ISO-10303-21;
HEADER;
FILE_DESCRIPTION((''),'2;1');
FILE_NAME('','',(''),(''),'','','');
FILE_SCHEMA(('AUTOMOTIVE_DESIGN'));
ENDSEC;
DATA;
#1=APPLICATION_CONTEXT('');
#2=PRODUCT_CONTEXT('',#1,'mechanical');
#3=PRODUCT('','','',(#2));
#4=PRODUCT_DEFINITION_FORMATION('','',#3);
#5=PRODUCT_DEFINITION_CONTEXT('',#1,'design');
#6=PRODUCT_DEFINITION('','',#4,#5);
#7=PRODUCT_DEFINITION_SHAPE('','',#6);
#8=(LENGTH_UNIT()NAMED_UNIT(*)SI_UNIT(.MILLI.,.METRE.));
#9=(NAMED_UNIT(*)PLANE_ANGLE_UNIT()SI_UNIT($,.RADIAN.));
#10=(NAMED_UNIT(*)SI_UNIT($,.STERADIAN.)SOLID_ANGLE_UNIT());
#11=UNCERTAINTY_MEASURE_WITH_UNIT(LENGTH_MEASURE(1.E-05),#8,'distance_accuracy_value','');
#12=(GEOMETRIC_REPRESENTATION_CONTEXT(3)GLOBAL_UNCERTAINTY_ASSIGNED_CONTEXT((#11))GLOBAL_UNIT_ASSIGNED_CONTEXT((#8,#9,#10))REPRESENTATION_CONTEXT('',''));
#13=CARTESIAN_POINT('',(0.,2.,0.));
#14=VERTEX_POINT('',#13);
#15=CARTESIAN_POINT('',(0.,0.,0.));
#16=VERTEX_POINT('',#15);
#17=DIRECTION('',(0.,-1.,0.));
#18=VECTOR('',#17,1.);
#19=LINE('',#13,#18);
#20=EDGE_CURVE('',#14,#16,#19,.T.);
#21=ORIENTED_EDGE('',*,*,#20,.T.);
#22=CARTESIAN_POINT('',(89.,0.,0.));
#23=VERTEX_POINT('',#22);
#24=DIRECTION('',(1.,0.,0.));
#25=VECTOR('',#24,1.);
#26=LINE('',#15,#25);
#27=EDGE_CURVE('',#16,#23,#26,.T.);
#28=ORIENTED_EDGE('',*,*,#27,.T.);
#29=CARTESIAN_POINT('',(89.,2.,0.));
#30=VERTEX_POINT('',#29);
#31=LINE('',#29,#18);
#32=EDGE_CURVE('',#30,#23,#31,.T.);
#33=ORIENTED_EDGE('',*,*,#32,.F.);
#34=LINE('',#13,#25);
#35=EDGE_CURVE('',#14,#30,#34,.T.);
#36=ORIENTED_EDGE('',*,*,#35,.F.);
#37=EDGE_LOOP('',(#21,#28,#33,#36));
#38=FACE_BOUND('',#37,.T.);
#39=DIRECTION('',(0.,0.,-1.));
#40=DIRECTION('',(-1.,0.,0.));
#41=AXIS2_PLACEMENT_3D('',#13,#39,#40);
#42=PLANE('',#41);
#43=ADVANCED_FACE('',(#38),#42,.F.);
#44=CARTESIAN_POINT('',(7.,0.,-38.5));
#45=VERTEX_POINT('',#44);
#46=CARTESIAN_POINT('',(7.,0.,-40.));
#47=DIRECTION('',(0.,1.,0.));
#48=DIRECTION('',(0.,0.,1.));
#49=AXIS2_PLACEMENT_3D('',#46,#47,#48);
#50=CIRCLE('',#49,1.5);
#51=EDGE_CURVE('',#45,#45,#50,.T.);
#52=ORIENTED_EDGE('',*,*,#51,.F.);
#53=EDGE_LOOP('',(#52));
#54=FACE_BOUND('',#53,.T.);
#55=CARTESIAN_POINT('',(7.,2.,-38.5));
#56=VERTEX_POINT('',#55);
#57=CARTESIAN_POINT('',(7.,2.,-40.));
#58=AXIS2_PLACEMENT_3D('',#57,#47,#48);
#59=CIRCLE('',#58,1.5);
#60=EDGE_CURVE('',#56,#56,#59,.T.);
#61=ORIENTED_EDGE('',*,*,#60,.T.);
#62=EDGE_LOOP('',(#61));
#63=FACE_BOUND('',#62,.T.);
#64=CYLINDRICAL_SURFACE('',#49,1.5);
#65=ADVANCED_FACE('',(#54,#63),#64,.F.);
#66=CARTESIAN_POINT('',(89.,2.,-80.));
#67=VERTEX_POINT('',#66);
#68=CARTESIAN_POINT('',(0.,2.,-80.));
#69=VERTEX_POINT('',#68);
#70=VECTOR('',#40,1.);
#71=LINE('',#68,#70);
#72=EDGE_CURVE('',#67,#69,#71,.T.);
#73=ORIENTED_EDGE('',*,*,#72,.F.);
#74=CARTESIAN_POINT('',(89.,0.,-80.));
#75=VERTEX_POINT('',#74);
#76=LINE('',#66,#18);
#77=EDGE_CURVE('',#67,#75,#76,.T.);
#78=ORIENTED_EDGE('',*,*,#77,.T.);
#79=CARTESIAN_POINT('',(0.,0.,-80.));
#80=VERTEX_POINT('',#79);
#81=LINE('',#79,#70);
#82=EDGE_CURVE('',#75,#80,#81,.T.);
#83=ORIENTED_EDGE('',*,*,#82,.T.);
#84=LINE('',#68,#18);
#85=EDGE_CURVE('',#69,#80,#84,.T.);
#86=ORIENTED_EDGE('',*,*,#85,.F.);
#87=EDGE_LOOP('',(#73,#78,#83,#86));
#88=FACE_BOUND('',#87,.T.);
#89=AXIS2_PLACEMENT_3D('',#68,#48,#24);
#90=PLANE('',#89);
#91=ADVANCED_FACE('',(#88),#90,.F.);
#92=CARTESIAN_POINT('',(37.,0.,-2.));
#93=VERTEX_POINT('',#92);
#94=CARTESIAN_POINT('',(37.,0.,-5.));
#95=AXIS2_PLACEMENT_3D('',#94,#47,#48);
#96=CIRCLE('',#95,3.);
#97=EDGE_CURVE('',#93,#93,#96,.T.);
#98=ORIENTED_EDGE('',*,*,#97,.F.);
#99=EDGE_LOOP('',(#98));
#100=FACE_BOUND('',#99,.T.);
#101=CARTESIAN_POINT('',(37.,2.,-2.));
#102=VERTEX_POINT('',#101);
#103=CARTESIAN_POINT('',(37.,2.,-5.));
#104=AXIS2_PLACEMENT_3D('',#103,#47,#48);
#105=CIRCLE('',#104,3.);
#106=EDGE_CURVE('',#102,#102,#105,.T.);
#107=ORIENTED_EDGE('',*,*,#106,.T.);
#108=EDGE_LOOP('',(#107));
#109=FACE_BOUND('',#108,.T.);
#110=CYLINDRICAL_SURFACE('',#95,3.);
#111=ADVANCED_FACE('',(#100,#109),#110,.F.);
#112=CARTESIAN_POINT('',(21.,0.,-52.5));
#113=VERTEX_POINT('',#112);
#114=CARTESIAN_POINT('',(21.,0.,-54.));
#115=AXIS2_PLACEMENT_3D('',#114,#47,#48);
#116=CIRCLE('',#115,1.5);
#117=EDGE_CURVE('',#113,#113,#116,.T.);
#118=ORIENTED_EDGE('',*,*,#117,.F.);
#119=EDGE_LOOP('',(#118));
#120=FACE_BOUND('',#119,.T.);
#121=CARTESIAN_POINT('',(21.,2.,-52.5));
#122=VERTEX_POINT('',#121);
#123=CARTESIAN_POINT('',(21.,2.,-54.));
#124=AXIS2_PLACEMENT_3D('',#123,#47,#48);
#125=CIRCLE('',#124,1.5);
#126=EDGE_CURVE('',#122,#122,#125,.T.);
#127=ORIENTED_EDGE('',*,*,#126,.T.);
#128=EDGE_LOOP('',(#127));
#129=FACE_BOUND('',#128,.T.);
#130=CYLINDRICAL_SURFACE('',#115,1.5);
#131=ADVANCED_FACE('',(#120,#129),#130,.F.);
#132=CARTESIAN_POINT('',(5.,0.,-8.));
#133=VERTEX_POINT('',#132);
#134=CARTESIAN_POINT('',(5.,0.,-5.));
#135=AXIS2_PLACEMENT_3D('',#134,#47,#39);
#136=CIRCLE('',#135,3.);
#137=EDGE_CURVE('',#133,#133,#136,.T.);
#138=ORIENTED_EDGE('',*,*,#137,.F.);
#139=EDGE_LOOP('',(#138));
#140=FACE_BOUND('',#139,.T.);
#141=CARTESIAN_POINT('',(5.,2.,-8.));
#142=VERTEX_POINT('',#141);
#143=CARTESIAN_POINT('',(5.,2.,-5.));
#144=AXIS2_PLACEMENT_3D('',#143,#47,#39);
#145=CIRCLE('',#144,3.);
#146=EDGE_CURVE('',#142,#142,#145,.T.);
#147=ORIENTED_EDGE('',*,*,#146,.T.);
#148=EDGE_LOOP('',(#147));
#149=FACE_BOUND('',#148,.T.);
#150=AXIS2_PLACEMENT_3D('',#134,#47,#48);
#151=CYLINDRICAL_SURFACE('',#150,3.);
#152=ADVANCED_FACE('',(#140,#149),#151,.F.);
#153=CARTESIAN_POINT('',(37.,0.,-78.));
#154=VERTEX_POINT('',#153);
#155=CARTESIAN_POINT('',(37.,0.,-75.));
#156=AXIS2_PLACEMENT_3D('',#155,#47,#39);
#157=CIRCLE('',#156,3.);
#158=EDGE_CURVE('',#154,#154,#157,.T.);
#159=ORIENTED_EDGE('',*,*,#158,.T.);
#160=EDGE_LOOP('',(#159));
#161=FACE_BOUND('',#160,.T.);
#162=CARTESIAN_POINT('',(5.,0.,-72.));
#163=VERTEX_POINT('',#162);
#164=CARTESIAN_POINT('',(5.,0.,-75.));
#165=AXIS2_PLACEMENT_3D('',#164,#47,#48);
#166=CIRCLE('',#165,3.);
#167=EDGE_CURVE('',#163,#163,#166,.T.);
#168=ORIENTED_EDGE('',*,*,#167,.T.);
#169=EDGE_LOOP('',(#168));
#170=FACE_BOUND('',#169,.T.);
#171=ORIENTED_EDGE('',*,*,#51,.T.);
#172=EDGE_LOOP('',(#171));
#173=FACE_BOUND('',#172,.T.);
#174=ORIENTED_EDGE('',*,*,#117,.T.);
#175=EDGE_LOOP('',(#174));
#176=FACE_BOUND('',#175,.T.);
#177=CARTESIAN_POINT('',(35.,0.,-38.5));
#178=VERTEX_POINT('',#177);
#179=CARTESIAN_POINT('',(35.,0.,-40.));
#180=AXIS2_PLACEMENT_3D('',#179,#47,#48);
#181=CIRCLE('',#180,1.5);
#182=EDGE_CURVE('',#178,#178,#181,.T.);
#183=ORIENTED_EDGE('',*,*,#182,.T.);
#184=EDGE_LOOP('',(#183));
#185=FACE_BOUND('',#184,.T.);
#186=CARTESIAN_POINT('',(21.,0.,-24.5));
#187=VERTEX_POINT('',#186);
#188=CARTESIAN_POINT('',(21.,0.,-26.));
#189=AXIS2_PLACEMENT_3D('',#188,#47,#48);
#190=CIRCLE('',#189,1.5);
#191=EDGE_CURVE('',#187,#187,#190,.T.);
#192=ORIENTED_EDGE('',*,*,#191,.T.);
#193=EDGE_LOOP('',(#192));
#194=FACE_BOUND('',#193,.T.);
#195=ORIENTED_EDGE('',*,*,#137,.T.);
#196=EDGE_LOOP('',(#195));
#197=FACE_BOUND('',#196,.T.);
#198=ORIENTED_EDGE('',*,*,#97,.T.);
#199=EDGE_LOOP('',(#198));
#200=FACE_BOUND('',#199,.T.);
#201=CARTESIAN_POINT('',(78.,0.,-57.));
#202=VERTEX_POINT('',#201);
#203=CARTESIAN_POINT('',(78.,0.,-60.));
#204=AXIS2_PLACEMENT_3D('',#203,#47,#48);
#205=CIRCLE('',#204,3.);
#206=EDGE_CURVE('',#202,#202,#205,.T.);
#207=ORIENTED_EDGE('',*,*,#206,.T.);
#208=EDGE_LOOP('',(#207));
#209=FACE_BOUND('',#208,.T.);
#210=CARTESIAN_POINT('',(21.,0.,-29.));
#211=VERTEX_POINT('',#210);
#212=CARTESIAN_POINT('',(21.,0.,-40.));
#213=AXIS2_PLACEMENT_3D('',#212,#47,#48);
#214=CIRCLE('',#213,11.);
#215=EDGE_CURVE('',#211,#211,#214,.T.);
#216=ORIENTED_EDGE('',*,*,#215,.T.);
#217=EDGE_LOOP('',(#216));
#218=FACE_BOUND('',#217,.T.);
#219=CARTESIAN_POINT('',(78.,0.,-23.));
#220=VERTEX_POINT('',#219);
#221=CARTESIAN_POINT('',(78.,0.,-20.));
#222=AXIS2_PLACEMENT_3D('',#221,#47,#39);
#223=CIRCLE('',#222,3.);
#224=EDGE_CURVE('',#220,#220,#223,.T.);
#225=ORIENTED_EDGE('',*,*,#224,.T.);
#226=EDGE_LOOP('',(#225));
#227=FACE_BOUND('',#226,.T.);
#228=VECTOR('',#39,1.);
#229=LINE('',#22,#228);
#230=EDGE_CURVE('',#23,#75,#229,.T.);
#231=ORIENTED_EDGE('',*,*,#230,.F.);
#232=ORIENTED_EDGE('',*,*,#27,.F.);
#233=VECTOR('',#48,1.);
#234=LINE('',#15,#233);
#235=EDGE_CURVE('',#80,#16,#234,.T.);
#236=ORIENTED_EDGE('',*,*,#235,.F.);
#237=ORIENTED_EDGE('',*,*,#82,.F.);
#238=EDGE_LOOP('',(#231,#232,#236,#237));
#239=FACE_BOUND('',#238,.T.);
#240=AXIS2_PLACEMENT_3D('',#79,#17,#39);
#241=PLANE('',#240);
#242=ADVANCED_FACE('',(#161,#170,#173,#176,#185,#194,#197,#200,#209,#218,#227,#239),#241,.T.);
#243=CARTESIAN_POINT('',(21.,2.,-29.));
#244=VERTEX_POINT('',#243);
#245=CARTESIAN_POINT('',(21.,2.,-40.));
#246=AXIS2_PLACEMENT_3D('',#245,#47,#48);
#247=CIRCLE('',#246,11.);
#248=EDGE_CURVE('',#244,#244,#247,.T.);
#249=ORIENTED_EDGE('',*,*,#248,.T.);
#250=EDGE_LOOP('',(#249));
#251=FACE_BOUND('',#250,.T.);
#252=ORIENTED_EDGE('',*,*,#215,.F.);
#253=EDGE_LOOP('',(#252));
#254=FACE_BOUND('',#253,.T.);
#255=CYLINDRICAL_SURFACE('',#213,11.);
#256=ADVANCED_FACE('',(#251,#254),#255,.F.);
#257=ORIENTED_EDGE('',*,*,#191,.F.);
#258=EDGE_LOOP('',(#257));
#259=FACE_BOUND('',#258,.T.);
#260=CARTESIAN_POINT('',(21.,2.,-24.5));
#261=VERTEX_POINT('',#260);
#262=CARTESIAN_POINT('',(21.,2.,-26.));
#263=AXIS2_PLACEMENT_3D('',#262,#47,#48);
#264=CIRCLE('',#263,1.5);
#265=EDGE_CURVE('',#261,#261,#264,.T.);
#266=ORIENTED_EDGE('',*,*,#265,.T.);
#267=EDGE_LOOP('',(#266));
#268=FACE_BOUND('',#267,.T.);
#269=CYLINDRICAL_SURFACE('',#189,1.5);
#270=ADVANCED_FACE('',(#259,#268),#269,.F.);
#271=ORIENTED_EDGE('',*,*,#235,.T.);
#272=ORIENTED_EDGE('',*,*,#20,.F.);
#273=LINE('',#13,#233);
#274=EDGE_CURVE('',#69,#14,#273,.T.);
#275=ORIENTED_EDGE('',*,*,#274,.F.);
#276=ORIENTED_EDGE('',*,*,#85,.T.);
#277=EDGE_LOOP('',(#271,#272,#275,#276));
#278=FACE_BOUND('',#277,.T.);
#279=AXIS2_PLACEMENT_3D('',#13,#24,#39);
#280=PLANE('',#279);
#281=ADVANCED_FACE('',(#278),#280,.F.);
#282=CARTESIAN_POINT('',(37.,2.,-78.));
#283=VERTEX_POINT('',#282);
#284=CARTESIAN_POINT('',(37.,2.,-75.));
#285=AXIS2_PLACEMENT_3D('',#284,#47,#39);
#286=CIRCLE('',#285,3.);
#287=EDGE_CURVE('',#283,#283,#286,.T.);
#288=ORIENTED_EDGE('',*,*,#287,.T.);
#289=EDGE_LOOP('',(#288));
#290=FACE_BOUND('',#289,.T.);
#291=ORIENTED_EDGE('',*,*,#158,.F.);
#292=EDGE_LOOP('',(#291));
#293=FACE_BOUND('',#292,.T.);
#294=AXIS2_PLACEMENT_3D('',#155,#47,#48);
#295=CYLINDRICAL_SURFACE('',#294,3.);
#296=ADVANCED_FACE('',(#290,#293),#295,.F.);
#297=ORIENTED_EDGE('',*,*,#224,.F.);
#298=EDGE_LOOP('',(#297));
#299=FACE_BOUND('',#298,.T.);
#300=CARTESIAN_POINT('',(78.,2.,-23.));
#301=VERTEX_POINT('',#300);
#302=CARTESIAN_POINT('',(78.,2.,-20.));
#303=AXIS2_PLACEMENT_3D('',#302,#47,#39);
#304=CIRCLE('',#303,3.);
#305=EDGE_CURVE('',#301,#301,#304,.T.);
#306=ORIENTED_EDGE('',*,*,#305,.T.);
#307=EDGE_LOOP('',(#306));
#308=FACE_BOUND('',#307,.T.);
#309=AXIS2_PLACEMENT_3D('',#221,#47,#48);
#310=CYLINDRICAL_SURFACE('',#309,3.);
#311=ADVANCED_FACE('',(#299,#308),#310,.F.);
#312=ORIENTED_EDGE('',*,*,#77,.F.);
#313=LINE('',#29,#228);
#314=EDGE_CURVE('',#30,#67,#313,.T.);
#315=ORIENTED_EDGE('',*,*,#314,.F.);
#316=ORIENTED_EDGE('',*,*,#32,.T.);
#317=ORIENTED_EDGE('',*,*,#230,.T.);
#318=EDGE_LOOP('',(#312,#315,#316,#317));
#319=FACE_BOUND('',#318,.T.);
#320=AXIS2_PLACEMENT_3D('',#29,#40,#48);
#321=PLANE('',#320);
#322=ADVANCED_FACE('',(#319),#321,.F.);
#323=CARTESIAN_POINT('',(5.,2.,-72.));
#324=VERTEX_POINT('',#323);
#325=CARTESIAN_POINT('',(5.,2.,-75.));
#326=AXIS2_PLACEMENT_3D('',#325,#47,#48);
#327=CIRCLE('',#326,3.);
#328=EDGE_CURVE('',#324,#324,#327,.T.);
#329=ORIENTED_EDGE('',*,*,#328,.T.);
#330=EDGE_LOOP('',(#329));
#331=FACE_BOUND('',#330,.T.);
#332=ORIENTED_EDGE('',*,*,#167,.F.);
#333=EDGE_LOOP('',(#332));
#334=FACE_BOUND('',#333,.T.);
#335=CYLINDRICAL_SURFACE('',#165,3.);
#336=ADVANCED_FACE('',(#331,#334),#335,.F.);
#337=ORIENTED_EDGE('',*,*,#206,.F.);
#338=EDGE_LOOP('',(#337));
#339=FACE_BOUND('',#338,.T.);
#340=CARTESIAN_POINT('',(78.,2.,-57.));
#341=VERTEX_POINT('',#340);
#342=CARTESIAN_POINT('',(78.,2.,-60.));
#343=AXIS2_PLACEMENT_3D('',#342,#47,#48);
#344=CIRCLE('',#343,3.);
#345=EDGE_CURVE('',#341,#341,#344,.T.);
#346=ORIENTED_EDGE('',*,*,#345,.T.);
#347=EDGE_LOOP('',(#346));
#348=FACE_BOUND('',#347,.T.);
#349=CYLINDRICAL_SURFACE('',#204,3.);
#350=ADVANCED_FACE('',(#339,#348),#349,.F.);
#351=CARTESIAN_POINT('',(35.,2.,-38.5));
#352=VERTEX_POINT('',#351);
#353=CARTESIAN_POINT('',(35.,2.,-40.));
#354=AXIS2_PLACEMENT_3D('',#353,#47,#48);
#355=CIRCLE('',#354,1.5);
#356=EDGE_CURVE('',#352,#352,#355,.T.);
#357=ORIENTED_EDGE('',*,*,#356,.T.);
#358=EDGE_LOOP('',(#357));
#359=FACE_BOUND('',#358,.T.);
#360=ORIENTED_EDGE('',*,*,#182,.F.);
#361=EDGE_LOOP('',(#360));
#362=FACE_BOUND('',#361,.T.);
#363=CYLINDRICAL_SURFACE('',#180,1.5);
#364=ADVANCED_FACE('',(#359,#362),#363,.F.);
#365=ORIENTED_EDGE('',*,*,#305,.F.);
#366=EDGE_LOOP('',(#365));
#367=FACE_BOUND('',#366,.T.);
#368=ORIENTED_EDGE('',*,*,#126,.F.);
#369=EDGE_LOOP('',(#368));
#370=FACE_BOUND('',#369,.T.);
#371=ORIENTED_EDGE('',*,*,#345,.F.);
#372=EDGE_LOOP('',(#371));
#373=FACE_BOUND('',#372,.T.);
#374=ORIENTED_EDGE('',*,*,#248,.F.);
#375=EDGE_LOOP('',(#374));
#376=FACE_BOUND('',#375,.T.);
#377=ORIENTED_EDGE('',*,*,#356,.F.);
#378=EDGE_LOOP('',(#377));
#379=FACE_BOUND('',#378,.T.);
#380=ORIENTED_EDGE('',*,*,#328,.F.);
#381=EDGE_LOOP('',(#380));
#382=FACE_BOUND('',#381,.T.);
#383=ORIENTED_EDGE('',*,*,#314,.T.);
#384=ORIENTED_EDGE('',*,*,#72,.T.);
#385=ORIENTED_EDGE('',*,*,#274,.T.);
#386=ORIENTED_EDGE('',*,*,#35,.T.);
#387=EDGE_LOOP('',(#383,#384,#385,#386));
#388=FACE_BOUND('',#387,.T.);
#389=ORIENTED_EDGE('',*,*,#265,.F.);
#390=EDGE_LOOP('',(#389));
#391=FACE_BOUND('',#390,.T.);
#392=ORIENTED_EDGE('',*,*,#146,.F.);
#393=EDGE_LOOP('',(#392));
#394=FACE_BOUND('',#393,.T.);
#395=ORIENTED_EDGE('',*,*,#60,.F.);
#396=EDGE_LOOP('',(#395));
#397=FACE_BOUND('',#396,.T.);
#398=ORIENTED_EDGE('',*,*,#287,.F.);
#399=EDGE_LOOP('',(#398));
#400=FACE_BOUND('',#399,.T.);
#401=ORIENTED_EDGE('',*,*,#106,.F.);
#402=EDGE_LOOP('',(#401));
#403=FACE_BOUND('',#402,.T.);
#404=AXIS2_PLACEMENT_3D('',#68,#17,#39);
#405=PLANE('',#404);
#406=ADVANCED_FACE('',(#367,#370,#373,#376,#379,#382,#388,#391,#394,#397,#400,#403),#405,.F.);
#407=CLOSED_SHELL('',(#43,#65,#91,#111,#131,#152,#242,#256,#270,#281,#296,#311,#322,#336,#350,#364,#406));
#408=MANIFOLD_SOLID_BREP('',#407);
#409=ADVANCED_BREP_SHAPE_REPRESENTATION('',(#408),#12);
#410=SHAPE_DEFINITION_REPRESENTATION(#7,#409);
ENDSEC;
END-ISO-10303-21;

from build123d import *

# Parameters (mm, degrees)
ESQUISSE1_W      = 89
ESQUISSE1_H      = 80
EXTRUSION1_DEPTH = 2
ESQUISSE2_R      = 11
EXTRUSION3_DEPTH = 120.687092036
ESQUISSE4_R      = 1.5
ESQUISSE4_R_2    = 3
EXTRUSION4_DEPTH = 120.687092036


with BuildPart() as part:
    # Esquisse1 → Extrusion1 (new body)
    with BuildSketch(Plane(origin=(0, 0, 0), x_dir=(1, 0, 0), z_dir=(0, 1, 0))):
        with Locations((44.5, 40)):
            Rectangle(ESQUISSE1_W, ESQUISSE1_H)
    extrude(amount=EXTRUSION1_DEPTH)

    # Esquisse2 → Extrusion3 (cut, through all)
    with BuildSketch(Plane(origin=(0, 2, 0), x_dir=(1, 0, 0), z_dir=(0, 1, 0))):
        with Locations(Location((21, 40, 0), (0, 0, 270))):
            Circle(ESQUISSE2_R)
    extrude(amount=-EXTRUSION3_DEPTH, mode=Mode.SUBTRACT)

    # Esquisse4 → Extrusion4 (cut, through all)
    with BuildSketch(Plane(origin=(0, 2, 0), x_dir=(-1, 0, 0), z_dir=(0, 1, 0))):
        with Locations(Location((-35, -40, 0), (0, 0, 90))):
            Circle(ESQUISSE4_R)
        with Locations(Location((-21, -26, 0), (0, 0, 90))):
            Circle(ESQUISSE4_R)
        with Locations(Location((-7, -40, 0), (0, 0, 90))):
            Circle(ESQUISSE4_R)
        with Locations(Location((-21, -54, 0), (0, 0, 90))):
            Circle(ESQUISSE4_R)
        with Locations(Location((-5, -75, 0), (0, 0, 90))):
            Circle(ESQUISSE4_R_2)
        with Locations(Location((-5, -5, 0), (0, 0, 270))):
            Circle(ESQUISSE4_R_2)
        with Locations(Location((-37, -5, 0), (0, 0, 90))):
            Circle(ESQUISSE4_R_2)
        with Locations(Location((-37, -75, 0), (0, 0, 270))):
            Circle(ESQUISSE4_R_2)
        with Locations(Location((-78, -60, 0), (0, 0, 90))):
            Circle(ESQUISSE4_R_2)
        with Locations(Location((-78, -20, 0), (0, 0, 270))):
            Circle(ESQUISSE4_R_2)
    extrude(amount=-EXTRUSION4_DEPTH, mode=Mode.SUBTRACT)


solid = part.part
